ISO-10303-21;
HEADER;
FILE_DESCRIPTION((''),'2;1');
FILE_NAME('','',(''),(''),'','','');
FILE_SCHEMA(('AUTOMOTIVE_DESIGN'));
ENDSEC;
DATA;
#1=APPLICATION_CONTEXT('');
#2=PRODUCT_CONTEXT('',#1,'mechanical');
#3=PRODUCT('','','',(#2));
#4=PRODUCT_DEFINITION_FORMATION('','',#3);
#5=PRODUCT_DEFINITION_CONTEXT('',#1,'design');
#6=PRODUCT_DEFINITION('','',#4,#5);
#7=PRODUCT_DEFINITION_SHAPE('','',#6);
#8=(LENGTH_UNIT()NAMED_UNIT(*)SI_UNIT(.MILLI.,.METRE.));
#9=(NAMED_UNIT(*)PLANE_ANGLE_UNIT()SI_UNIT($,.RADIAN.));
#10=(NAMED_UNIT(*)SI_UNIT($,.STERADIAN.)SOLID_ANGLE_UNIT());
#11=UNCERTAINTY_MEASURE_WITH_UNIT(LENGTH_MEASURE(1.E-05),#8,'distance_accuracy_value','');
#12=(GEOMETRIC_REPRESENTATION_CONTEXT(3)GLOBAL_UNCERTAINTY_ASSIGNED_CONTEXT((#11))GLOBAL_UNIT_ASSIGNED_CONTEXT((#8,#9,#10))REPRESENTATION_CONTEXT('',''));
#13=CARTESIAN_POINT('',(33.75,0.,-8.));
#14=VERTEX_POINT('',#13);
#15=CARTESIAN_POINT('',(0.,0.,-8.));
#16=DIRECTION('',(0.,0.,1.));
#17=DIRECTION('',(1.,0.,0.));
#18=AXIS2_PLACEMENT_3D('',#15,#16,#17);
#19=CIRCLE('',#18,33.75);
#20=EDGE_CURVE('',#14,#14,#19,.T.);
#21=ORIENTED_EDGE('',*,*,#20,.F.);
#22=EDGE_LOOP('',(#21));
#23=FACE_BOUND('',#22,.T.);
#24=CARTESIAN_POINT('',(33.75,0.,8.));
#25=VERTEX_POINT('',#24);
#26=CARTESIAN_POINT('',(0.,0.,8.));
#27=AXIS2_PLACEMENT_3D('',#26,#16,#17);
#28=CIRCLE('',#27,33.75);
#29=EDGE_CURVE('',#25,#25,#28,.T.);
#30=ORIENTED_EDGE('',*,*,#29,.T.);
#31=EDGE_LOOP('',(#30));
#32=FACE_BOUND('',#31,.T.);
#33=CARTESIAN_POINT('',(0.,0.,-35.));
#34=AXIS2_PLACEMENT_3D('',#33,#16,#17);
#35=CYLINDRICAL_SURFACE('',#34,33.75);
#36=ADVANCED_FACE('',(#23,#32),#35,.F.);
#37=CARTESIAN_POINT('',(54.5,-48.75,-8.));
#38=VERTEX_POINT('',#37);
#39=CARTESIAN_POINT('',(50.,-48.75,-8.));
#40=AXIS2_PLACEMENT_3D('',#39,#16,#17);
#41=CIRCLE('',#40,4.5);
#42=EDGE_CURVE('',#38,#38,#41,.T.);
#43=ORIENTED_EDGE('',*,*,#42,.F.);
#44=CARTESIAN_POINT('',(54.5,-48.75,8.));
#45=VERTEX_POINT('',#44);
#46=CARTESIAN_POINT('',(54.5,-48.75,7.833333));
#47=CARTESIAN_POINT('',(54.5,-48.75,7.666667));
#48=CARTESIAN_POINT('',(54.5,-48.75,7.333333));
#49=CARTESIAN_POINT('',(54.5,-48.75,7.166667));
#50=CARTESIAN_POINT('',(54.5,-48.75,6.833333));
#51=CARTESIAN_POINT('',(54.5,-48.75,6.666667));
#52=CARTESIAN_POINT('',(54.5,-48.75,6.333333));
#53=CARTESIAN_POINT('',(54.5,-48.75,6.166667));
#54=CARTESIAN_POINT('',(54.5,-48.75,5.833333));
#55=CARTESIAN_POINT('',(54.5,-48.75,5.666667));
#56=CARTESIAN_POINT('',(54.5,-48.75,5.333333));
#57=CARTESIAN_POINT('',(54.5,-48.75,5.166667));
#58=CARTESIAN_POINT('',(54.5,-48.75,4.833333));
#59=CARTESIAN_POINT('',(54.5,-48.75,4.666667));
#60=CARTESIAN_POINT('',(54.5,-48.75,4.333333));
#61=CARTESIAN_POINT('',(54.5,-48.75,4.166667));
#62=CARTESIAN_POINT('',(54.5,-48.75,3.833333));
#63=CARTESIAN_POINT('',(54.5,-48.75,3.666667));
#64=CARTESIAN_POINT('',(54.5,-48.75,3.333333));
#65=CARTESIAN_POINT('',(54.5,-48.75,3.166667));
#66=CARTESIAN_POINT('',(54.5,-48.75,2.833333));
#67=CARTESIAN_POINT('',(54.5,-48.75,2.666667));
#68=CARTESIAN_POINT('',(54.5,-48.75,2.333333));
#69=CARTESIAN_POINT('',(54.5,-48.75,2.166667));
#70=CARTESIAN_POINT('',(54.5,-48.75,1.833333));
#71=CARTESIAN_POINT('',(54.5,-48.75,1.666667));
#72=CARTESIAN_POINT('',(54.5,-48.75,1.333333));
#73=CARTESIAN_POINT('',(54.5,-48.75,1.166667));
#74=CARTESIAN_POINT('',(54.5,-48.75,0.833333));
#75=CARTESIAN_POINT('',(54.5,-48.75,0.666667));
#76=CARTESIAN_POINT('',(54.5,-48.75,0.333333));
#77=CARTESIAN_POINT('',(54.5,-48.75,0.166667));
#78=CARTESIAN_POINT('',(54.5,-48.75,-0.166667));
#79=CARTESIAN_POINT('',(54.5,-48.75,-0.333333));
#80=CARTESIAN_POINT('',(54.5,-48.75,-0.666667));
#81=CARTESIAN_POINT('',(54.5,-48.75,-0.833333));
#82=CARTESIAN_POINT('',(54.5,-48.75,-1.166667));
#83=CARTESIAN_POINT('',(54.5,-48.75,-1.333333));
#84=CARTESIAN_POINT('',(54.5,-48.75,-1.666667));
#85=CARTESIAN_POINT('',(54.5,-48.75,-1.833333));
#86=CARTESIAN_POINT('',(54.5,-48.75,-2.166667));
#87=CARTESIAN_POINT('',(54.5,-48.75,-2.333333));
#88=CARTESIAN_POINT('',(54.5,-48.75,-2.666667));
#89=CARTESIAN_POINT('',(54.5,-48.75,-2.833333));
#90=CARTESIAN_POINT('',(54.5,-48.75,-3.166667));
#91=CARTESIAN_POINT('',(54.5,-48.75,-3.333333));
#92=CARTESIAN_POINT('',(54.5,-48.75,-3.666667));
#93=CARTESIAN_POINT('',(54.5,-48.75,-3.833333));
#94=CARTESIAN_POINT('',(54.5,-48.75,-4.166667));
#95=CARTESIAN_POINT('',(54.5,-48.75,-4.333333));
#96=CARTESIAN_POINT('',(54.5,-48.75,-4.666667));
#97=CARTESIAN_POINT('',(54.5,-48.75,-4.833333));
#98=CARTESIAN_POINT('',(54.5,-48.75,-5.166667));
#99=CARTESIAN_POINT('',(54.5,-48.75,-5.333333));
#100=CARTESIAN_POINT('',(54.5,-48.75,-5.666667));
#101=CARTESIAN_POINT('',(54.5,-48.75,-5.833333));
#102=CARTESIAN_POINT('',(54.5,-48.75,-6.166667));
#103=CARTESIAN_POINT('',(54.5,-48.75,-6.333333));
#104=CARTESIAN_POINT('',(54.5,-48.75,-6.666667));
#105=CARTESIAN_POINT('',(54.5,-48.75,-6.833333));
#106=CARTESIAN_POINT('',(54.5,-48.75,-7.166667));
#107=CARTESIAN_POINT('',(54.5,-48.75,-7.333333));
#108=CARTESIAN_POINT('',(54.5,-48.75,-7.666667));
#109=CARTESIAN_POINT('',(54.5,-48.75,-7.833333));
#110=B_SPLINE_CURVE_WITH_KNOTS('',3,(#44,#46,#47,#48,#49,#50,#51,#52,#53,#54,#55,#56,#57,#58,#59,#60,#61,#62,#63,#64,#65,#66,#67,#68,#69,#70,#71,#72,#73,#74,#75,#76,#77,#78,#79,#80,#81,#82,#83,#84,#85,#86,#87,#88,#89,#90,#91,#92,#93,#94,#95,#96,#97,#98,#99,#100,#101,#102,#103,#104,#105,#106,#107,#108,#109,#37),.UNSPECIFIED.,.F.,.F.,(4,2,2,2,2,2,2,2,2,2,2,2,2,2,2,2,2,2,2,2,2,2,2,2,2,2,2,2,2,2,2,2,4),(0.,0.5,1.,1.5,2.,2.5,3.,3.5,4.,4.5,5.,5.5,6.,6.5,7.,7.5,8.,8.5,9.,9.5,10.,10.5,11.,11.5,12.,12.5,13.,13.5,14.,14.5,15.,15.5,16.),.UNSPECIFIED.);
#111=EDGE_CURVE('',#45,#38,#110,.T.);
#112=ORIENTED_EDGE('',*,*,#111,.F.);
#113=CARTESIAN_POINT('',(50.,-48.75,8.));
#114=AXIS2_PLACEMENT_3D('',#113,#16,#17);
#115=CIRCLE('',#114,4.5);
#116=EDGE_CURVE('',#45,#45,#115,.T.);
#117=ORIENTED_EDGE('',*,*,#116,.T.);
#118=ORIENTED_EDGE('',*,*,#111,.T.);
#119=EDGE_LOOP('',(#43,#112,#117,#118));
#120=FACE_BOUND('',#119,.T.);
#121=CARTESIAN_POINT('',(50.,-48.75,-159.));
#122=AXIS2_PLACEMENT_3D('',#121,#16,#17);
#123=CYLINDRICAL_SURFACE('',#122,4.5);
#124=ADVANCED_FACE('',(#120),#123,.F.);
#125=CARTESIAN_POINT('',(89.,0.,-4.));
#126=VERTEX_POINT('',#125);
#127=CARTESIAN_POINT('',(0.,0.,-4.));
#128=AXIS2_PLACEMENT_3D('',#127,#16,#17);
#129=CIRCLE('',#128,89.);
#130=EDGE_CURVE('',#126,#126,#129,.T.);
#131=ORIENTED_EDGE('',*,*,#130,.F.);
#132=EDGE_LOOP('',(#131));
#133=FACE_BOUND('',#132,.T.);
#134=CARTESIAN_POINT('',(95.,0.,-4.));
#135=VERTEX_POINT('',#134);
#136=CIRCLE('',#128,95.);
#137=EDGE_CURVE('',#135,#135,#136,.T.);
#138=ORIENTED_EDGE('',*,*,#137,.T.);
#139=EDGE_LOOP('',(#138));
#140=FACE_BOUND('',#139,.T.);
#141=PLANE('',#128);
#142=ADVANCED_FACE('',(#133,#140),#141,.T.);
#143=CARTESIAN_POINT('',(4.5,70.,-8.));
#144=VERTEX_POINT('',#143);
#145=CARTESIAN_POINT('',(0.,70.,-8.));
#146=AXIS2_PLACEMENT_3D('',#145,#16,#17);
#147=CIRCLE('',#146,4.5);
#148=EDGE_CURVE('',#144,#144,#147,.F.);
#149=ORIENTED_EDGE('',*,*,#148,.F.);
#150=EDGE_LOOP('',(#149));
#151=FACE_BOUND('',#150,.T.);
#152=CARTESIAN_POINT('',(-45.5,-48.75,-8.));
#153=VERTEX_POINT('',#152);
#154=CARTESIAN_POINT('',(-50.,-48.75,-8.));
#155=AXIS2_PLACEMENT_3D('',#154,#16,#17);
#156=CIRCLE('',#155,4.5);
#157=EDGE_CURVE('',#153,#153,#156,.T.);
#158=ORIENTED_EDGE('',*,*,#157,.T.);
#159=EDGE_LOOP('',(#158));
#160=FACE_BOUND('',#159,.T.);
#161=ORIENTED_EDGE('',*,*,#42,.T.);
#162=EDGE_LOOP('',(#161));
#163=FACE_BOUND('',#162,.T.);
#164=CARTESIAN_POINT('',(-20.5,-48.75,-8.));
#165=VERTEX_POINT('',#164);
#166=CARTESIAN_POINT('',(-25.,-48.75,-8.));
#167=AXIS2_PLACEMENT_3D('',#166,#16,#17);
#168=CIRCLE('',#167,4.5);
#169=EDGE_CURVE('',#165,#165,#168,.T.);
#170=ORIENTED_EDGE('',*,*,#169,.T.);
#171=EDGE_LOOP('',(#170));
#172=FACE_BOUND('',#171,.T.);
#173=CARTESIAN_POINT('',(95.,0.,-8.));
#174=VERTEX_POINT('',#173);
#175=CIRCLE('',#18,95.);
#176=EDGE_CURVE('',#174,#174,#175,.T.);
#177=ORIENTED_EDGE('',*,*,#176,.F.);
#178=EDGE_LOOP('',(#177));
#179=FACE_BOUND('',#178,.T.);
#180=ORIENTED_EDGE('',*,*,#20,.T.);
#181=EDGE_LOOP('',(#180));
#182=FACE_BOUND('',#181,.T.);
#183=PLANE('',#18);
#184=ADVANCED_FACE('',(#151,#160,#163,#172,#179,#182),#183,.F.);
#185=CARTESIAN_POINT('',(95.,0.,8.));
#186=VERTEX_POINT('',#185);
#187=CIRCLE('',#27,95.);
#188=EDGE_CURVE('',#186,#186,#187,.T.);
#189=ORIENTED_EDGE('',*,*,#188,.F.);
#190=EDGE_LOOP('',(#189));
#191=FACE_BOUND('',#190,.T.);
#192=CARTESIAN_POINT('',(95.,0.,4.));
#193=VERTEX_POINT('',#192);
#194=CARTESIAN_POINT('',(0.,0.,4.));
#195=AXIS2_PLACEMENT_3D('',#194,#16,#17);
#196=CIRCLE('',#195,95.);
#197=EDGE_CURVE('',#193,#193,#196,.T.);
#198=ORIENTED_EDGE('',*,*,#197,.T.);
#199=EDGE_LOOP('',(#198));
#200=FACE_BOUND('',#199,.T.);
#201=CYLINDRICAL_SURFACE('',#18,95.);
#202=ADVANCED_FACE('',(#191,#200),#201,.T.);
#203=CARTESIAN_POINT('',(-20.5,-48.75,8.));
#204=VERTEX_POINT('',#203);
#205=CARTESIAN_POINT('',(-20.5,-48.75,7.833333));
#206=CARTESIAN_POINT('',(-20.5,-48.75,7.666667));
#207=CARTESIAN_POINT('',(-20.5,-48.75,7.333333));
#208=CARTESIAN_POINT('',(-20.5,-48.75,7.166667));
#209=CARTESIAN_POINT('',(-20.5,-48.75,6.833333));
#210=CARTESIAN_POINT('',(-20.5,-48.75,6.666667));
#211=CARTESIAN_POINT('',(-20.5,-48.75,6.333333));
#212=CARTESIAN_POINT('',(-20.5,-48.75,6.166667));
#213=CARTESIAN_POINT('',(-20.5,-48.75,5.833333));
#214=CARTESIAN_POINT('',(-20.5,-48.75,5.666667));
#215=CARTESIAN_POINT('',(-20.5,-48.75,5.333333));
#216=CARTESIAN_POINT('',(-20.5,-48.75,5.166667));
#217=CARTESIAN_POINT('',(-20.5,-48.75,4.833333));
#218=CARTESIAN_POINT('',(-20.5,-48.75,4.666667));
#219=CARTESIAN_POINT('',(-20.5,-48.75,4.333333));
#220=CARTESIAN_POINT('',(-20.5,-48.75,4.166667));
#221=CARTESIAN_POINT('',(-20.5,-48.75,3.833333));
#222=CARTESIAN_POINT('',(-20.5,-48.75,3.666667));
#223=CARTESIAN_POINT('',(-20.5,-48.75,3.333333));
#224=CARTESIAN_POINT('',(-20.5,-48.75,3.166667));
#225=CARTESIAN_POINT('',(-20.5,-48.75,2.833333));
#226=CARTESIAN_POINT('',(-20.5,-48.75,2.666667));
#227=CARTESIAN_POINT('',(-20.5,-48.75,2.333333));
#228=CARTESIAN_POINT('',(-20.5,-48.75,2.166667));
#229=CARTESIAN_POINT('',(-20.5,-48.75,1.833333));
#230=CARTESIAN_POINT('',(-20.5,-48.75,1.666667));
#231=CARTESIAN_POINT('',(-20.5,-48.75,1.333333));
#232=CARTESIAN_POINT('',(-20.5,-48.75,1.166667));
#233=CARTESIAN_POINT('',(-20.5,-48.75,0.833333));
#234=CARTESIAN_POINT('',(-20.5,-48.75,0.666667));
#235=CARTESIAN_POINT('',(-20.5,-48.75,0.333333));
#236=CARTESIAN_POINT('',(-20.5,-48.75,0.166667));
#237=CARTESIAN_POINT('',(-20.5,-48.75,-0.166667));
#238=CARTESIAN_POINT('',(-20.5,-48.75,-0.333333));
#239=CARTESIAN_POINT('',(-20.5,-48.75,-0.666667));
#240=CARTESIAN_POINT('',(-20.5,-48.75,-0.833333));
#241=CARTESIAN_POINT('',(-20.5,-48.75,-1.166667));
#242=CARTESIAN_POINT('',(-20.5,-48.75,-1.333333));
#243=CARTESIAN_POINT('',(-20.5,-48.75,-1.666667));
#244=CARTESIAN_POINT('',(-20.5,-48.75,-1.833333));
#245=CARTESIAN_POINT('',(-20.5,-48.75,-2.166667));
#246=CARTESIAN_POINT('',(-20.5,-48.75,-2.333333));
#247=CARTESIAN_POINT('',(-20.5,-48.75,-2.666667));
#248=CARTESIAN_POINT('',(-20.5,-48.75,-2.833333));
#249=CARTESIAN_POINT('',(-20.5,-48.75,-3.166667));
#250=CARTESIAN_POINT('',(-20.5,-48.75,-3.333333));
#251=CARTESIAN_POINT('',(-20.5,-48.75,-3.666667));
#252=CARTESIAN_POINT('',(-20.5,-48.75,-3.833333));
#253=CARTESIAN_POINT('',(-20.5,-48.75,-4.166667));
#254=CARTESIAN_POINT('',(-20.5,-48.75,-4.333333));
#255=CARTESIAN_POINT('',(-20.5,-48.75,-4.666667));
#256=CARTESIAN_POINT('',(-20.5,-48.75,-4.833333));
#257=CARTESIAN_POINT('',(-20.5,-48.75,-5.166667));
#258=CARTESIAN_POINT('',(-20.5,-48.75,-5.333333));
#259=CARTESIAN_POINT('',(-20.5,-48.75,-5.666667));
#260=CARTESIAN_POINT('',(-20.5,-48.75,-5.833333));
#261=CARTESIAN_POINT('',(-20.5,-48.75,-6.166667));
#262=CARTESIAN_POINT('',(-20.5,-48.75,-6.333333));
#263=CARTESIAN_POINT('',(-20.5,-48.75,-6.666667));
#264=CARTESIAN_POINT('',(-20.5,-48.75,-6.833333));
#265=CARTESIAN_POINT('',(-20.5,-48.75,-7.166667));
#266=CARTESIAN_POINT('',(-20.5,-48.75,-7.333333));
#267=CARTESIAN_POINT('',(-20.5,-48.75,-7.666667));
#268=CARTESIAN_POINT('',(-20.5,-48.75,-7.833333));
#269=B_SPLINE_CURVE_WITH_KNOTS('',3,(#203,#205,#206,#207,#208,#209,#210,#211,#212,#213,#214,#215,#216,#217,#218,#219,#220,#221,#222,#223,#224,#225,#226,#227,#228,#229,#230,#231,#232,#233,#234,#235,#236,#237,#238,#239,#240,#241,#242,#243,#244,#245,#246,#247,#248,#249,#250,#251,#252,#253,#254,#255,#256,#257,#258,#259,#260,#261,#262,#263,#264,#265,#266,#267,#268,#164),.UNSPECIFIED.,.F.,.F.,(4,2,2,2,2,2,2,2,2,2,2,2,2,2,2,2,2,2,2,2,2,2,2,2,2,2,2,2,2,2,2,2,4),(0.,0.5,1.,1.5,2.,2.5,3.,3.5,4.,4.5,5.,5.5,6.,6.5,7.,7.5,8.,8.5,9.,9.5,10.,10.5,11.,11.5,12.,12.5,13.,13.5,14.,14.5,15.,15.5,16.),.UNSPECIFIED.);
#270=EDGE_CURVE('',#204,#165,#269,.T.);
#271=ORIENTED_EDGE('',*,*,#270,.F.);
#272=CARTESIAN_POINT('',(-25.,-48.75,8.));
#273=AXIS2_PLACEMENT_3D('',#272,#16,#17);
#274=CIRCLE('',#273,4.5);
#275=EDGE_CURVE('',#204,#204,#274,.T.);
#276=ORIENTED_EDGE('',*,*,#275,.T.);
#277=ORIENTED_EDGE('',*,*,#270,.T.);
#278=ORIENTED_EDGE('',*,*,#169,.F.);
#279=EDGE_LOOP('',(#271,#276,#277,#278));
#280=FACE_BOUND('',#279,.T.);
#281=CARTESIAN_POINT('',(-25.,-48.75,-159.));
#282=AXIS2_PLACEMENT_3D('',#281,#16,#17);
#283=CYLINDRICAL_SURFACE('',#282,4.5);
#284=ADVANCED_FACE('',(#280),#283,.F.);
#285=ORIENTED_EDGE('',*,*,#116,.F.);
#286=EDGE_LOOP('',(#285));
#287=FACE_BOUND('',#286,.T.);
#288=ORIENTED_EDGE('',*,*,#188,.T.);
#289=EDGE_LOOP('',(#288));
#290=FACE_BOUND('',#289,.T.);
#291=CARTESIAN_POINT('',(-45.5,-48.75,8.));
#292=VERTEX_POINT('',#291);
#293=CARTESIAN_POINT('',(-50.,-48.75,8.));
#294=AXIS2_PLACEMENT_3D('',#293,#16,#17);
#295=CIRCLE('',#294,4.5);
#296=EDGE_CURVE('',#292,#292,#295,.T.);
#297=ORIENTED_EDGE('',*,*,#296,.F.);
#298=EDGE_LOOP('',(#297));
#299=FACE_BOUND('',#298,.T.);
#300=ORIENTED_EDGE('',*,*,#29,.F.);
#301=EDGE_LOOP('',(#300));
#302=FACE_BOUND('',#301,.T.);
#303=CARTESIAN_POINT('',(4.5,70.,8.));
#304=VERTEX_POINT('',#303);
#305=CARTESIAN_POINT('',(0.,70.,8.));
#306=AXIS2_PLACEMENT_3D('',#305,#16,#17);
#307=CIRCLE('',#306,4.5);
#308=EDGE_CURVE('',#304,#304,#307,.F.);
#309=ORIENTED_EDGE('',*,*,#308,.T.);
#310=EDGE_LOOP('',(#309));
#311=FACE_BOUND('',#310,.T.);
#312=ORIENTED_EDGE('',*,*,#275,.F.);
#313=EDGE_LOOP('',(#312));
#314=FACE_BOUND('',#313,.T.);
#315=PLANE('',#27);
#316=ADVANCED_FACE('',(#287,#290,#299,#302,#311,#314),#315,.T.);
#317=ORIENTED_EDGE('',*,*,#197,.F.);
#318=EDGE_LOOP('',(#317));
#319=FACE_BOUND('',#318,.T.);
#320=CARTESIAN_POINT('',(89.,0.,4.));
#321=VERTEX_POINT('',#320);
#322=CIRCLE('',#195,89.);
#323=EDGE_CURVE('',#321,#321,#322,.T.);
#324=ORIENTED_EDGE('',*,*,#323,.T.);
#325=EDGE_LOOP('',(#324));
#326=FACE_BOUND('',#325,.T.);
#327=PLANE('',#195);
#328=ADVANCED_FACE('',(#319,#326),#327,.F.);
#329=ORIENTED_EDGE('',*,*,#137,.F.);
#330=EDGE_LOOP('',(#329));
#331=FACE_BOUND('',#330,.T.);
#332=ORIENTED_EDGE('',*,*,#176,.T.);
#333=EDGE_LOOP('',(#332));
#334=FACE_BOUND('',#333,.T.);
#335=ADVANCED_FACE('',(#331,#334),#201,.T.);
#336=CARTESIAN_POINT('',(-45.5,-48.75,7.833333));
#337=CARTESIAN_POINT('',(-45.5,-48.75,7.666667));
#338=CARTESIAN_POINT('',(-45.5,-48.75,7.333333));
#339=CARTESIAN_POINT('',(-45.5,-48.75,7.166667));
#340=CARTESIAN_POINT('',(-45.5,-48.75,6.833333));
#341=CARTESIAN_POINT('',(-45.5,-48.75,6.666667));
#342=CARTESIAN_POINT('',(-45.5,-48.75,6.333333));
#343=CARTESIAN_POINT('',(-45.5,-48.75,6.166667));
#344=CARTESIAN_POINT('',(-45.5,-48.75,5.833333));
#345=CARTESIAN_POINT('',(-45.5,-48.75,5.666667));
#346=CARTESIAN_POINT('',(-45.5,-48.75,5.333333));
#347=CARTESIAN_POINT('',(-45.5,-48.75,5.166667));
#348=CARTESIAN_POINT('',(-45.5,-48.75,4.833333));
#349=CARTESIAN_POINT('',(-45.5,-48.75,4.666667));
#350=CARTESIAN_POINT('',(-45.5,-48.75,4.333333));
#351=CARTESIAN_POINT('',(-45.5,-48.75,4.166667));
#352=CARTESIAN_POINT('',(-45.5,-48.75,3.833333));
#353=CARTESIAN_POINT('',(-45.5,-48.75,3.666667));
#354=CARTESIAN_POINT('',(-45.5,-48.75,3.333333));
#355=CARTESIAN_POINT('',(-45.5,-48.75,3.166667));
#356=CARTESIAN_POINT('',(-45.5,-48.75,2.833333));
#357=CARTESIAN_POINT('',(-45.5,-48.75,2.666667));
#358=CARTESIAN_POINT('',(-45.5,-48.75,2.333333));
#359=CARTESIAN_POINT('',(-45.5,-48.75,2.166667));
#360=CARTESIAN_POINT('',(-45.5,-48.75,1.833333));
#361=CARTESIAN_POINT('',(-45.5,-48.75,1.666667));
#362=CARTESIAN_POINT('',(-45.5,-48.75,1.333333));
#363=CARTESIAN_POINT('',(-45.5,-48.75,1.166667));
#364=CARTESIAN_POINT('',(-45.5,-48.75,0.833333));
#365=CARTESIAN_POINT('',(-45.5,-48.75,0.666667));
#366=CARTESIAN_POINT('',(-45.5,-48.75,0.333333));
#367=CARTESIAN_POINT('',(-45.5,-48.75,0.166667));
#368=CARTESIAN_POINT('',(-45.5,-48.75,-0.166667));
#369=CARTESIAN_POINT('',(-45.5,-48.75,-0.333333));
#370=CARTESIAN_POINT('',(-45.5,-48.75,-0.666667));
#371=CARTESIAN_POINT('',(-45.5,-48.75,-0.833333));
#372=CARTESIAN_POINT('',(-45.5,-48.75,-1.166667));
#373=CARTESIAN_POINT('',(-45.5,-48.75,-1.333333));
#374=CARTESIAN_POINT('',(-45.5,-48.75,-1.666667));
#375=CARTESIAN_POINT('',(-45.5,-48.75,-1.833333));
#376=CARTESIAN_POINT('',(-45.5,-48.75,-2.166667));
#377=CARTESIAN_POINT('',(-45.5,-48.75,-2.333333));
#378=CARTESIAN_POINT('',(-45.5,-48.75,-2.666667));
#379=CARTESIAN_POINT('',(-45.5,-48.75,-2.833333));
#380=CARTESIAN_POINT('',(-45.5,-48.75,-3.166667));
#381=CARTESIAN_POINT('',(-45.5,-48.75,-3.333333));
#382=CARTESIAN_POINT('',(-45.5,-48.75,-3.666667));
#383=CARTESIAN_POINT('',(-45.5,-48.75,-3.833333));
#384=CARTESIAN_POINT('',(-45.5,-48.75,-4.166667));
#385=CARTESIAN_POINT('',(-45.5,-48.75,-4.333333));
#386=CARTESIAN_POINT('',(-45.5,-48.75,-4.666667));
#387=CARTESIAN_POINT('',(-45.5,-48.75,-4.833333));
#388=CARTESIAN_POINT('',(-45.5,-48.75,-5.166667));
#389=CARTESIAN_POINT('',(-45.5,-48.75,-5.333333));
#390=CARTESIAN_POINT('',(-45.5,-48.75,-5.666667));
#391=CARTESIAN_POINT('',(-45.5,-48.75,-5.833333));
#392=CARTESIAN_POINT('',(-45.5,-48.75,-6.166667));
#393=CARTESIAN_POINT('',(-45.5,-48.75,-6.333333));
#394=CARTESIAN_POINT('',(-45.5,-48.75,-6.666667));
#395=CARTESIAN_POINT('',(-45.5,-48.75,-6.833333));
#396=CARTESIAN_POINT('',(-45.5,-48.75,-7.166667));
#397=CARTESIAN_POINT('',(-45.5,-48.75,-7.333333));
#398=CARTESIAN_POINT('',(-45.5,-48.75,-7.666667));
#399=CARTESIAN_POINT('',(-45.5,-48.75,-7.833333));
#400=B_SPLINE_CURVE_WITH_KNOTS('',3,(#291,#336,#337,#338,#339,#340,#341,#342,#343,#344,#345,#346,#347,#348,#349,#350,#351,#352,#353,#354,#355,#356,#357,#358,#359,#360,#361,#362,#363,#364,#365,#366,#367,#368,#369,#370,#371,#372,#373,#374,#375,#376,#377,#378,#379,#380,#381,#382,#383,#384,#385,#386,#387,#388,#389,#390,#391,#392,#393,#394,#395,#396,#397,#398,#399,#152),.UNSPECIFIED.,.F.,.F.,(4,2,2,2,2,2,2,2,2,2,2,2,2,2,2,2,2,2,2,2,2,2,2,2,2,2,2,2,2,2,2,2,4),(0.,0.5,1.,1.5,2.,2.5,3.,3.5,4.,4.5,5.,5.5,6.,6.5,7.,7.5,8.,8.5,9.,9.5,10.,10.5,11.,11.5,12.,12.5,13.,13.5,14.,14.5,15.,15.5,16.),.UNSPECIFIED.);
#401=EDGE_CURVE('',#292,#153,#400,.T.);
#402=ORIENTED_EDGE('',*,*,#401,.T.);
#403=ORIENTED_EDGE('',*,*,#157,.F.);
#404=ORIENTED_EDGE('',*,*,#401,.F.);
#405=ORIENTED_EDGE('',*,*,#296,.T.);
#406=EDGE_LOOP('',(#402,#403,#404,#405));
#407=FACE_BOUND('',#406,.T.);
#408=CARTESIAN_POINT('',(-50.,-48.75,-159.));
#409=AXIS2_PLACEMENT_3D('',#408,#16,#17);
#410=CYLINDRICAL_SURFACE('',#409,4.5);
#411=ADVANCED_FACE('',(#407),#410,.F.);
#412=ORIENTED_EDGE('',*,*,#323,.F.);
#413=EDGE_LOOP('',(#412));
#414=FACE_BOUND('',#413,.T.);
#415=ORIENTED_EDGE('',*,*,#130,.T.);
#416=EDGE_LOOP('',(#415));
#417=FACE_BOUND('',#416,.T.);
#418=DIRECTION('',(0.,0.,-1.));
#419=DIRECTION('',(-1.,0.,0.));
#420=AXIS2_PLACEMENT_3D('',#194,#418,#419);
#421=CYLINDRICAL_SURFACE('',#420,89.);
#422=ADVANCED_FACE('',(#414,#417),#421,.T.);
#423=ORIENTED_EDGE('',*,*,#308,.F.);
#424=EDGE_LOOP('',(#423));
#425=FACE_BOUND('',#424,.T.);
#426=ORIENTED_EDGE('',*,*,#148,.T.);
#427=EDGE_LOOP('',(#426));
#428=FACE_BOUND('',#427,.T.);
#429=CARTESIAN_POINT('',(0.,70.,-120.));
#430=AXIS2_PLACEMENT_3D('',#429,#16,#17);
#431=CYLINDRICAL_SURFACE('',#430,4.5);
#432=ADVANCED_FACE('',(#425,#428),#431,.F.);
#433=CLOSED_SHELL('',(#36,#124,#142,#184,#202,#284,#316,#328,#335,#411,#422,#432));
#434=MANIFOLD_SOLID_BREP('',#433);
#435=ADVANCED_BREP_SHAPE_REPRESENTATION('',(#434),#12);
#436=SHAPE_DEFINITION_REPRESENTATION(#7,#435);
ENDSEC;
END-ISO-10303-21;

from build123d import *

# Parameters (mm, degrees)
BOSS_EXTRUDE1_DEPTH      = 8
BOSS_EXTRUDE1_DEPTH_BACK = 8
SKETCH2_R                = 95
CUT_EXTRUDE1_DEPTH       = 4
CUT_EXTRUDE1_DEPTH_BACK  = 4
SKETCH2_5_R              = 95
SKETCH2_5_R_2            = 89
SKETCH7_R                = 4.5
CUT_EXTRUDE2_DEPTH       = 167
SKETCH3_R                = 33.75
CUT_EXTRUDE3_DEPTH       = 43
CUT_EXTRUDE4_DEPTH       = 112
CUT_EXTRUDE4_DEPTH_BACK  = 60
SKETCH10_R               = 4.5


with BuildPart() as part:
    # Sketch2 → Boss-Extrude1 (new, two sides: drawn at the far end of the back side and taken through both)
    with BuildSketch(Plane.XY.offset(-BOSS_EXTRUDE1_DEPTH_BACK)):
        Circle(SKETCH2_R)
    extrude(amount=BOSS_EXTRUDE1_DEPTH + BOSS_EXTRUDE1_DEPTH_BACK)

    # Sketch2<5> → Cut-Extrude1 (cut, two sides: drawn at the far end of the back side and taken through both)
    with BuildSketch(Plane.XY.offset(-CUT_EXTRUDE1_DEPTH_BACK)):
        Circle(SKETCH2_5_R)
        Circle(SKETCH2_5_R_2, mode=Mode.SUBTRACT)
    extrude(amount=CUT_EXTRUDE1_DEPTH + CUT_EXTRUDE1_DEPTH_BACK, mode=Mode.SUBTRACT)

    # Sketch7 → Cut-Extrude2 (cut)
    with BuildSketch(Plane.XY.offset(8)):
        with Locations((-50, -48.75)):
            Circle(SKETCH7_R)
        with Locations((50, -48.75)):
            Circle(SKETCH7_R)
        with Locations((-25, -48.75)):
            Circle(SKETCH7_R)
    extrude(amount=-CUT_EXTRUDE2_DEPTH, mode=Mode.SUBTRACT)

    # Sketch3 → Cut-Extrude3 (cut)
    with BuildSketch(Plane.XY.offset(8)):
        Circle(SKETCH3_R)
    extrude(amount=-CUT_EXTRUDE3_DEPTH, mode=Mode.SUBTRACT)

    # Sketch10 → Cut-Extrude4 (cut, two sides: drawn at the far end of the back side and taken through both)
    with BuildSketch(Plane(origin=(0, 0, -8), x_dir=(-1, 0, 0), z_dir=(0, 0, -1)).offset(-CUT_EXTRUDE4_DEPTH_BACK)):
        with Locations((0, 70)):
            Circle(SKETCH10_R)
    extrude(amount=CUT_EXTRUDE4_DEPTH + CUT_EXTRUDE4_DEPTH_BACK, mode=Mode.SUBTRACT)


solid = part.part
